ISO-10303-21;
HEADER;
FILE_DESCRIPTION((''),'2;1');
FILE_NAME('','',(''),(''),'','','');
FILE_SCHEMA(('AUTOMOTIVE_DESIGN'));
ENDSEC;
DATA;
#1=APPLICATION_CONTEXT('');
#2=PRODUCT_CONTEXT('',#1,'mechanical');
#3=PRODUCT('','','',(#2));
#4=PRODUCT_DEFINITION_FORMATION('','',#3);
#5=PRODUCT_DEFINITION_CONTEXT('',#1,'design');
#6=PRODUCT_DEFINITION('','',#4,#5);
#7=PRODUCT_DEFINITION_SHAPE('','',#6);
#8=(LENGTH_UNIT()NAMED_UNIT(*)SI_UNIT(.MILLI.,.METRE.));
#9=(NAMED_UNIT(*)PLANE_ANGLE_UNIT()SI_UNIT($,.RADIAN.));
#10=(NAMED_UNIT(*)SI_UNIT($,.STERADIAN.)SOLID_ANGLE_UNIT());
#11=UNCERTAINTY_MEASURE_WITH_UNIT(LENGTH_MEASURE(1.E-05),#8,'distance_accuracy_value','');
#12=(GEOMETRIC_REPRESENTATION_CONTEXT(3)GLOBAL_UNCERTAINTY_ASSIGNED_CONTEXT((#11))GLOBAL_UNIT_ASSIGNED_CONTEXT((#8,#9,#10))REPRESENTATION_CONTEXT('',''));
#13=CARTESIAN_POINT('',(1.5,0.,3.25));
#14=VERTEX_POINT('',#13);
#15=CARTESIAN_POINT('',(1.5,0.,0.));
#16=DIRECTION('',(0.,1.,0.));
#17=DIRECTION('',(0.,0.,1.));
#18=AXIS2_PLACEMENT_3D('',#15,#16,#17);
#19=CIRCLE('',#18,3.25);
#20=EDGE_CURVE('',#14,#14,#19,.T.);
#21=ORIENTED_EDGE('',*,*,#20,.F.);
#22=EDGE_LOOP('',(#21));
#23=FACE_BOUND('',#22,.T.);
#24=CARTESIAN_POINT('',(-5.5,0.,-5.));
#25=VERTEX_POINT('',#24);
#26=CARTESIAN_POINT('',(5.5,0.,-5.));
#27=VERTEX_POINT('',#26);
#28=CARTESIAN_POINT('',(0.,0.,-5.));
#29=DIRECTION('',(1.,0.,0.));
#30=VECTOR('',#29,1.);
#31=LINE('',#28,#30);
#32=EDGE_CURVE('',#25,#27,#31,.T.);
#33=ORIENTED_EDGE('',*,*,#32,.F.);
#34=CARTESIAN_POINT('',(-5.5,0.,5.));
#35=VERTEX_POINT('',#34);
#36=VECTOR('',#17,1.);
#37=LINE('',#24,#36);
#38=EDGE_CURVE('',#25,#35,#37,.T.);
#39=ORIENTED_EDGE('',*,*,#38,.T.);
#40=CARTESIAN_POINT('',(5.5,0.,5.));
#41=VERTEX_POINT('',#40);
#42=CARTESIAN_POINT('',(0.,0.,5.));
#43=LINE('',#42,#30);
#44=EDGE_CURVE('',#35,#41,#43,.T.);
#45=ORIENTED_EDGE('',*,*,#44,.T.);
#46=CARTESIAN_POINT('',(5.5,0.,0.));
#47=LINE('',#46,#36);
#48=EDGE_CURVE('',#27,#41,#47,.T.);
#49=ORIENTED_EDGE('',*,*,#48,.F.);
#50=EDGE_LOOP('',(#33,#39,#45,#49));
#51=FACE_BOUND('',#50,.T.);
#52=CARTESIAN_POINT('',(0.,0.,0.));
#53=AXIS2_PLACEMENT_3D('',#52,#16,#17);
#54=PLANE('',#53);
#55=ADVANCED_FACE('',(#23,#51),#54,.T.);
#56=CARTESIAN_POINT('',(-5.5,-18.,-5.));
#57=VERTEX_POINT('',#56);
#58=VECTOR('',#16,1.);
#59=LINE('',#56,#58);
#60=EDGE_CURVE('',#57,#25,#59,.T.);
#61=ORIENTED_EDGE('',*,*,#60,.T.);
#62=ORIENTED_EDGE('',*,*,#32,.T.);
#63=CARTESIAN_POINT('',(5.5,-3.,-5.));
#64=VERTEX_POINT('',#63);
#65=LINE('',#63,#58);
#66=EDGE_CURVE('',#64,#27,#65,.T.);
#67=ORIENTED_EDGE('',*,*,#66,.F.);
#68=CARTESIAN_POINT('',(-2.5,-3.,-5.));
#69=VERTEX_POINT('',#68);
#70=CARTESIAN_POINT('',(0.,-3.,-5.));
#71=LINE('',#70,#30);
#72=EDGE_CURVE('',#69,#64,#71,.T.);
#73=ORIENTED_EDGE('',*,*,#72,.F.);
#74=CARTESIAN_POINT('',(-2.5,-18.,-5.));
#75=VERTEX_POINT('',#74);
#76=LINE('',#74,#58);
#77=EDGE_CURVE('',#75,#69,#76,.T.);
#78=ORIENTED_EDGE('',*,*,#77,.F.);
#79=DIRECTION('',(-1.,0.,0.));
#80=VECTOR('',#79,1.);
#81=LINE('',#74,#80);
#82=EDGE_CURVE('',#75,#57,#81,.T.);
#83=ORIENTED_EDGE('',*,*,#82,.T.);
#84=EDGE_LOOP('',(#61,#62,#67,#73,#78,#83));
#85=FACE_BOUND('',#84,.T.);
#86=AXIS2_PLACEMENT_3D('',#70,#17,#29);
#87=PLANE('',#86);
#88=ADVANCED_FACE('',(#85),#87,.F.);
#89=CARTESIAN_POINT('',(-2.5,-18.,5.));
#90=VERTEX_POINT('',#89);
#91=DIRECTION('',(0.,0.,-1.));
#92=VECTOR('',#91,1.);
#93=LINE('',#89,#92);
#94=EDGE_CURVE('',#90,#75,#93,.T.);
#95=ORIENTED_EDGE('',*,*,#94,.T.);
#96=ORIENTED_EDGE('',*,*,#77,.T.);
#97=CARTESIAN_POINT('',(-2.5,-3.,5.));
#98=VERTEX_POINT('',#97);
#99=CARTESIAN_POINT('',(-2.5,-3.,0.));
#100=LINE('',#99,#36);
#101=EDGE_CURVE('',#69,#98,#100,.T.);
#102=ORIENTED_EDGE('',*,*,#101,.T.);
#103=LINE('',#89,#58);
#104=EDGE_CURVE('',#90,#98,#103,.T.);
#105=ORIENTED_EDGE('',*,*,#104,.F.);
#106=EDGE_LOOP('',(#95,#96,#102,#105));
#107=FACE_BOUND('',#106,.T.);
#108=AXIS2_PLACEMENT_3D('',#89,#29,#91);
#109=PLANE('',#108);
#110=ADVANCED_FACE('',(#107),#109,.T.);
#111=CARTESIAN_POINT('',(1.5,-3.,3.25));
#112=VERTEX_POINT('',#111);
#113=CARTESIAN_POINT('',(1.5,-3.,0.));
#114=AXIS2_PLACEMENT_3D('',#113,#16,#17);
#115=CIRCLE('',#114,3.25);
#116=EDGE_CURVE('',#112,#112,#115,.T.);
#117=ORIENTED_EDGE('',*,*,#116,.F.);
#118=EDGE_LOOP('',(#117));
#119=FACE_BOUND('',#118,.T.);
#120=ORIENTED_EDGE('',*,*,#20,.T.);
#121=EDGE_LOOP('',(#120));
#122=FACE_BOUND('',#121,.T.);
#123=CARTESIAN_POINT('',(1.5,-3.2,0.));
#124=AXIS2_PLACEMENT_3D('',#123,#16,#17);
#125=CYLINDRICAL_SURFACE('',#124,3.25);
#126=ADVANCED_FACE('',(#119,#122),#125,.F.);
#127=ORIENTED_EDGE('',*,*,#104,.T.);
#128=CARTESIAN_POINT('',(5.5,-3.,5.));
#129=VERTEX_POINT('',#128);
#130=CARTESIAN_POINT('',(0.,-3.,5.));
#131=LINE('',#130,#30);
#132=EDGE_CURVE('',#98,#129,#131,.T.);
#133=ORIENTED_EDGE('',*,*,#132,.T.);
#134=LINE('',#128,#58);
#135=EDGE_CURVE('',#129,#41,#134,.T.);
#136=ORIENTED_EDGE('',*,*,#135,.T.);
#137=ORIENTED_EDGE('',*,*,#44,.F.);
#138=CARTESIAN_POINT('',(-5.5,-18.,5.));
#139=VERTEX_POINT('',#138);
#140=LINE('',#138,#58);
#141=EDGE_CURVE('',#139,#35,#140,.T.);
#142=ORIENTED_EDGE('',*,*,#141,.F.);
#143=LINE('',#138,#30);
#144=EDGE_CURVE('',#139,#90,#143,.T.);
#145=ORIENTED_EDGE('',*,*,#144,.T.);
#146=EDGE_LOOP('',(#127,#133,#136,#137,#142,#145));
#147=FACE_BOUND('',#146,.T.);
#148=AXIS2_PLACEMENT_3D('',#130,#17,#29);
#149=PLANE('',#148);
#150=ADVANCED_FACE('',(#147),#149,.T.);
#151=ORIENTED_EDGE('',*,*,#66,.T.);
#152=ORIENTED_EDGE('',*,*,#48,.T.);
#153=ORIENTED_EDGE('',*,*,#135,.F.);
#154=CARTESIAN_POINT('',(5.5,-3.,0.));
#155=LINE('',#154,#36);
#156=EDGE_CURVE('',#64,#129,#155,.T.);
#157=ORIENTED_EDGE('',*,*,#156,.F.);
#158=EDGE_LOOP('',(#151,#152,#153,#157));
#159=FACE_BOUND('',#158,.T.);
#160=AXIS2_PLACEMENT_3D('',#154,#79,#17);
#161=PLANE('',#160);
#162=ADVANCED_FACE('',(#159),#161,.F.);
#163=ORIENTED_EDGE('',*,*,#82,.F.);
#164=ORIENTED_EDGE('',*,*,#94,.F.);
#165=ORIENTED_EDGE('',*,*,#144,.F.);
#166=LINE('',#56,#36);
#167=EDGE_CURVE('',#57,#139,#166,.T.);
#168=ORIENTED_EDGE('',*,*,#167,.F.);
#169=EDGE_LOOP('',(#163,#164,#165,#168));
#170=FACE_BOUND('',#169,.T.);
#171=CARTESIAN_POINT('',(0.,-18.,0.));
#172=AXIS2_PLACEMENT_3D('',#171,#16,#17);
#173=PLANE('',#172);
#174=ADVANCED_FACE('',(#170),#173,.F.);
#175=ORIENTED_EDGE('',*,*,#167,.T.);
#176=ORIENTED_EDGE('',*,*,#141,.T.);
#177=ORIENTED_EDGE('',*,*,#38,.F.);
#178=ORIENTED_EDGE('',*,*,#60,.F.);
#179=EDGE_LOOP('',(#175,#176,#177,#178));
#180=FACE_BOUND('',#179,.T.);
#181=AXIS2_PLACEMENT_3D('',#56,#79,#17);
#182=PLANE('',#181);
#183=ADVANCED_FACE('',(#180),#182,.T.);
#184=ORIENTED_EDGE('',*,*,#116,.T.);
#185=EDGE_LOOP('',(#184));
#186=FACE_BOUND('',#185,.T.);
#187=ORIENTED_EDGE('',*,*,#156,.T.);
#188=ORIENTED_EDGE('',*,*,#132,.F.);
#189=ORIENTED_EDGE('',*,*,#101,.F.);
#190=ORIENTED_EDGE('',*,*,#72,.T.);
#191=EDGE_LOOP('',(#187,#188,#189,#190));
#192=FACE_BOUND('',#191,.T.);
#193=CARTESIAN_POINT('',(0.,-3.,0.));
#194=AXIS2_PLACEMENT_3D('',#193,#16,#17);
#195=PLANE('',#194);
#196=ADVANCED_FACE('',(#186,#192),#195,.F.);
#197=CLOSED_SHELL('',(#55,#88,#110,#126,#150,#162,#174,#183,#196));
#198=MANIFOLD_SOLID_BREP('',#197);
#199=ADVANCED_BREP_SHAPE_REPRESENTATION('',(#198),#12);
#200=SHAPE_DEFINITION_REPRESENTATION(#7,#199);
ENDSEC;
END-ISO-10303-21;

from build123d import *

# Parameters (mm, degrees)
SKETCH1_W           = 8
SKETCH1_H           = 10
SKETCH1_R           = 1.5
BOSS_EXTRUDE1_DEPTH = 3
SKETCH2_W           = 3
SKETCH2_H           = 10
BOSS_EXTRUDE2_DEPTH = 18
SKETCH3_R           = 3.25
CUT_EXTRUDE1_DEPTH  = 3.2


with BuildPart() as part:
    # Sketch1 → Boss-Extrude1 (new body)
    with BuildSketch(Plane(origin=(0, 0, 0), x_dir=(1, 0, 0), z_dir=(0, 1, 0))):
        with Locations((1.5, 0)):
            Rectangle(SKETCH1_W, SKETCH1_H)
        with Locations(Location((1.5, 0, 0), (0, 0, 270))):
            Circle(SKETCH1_R, mode=Mode.SUBTRACT)
    extrude(amount=-BOSS_EXTRUDE1_DEPTH)

    # Sketch2 → Boss-Extrude2 (add)
    with BuildSketch(Plane(origin=(0, 0, 0), x_dir=(1, 0, 0), z_dir=(0, 1, 0))):
        with Locations((-4, 0)):
            Rectangle(SKETCH2_W, SKETCH2_H)
    extrude(amount=-BOSS_EXTRUDE2_DEPTH)

    # Sketch3 → Cut-Extrude1 (cut)
    with BuildSketch(Plane(origin=(0, 0, 0), x_dir=(1, 0, 0), z_dir=(0, 1, 0))):
        with Locations(Location((1.5, 0, 0), (0, 0, 270))):
            Circle(SKETCH3_R)
    extrude(amount=-CUT_EXTRUDE1_DEPTH, mode=Mode.SUBTRACT)


solid = part.part
